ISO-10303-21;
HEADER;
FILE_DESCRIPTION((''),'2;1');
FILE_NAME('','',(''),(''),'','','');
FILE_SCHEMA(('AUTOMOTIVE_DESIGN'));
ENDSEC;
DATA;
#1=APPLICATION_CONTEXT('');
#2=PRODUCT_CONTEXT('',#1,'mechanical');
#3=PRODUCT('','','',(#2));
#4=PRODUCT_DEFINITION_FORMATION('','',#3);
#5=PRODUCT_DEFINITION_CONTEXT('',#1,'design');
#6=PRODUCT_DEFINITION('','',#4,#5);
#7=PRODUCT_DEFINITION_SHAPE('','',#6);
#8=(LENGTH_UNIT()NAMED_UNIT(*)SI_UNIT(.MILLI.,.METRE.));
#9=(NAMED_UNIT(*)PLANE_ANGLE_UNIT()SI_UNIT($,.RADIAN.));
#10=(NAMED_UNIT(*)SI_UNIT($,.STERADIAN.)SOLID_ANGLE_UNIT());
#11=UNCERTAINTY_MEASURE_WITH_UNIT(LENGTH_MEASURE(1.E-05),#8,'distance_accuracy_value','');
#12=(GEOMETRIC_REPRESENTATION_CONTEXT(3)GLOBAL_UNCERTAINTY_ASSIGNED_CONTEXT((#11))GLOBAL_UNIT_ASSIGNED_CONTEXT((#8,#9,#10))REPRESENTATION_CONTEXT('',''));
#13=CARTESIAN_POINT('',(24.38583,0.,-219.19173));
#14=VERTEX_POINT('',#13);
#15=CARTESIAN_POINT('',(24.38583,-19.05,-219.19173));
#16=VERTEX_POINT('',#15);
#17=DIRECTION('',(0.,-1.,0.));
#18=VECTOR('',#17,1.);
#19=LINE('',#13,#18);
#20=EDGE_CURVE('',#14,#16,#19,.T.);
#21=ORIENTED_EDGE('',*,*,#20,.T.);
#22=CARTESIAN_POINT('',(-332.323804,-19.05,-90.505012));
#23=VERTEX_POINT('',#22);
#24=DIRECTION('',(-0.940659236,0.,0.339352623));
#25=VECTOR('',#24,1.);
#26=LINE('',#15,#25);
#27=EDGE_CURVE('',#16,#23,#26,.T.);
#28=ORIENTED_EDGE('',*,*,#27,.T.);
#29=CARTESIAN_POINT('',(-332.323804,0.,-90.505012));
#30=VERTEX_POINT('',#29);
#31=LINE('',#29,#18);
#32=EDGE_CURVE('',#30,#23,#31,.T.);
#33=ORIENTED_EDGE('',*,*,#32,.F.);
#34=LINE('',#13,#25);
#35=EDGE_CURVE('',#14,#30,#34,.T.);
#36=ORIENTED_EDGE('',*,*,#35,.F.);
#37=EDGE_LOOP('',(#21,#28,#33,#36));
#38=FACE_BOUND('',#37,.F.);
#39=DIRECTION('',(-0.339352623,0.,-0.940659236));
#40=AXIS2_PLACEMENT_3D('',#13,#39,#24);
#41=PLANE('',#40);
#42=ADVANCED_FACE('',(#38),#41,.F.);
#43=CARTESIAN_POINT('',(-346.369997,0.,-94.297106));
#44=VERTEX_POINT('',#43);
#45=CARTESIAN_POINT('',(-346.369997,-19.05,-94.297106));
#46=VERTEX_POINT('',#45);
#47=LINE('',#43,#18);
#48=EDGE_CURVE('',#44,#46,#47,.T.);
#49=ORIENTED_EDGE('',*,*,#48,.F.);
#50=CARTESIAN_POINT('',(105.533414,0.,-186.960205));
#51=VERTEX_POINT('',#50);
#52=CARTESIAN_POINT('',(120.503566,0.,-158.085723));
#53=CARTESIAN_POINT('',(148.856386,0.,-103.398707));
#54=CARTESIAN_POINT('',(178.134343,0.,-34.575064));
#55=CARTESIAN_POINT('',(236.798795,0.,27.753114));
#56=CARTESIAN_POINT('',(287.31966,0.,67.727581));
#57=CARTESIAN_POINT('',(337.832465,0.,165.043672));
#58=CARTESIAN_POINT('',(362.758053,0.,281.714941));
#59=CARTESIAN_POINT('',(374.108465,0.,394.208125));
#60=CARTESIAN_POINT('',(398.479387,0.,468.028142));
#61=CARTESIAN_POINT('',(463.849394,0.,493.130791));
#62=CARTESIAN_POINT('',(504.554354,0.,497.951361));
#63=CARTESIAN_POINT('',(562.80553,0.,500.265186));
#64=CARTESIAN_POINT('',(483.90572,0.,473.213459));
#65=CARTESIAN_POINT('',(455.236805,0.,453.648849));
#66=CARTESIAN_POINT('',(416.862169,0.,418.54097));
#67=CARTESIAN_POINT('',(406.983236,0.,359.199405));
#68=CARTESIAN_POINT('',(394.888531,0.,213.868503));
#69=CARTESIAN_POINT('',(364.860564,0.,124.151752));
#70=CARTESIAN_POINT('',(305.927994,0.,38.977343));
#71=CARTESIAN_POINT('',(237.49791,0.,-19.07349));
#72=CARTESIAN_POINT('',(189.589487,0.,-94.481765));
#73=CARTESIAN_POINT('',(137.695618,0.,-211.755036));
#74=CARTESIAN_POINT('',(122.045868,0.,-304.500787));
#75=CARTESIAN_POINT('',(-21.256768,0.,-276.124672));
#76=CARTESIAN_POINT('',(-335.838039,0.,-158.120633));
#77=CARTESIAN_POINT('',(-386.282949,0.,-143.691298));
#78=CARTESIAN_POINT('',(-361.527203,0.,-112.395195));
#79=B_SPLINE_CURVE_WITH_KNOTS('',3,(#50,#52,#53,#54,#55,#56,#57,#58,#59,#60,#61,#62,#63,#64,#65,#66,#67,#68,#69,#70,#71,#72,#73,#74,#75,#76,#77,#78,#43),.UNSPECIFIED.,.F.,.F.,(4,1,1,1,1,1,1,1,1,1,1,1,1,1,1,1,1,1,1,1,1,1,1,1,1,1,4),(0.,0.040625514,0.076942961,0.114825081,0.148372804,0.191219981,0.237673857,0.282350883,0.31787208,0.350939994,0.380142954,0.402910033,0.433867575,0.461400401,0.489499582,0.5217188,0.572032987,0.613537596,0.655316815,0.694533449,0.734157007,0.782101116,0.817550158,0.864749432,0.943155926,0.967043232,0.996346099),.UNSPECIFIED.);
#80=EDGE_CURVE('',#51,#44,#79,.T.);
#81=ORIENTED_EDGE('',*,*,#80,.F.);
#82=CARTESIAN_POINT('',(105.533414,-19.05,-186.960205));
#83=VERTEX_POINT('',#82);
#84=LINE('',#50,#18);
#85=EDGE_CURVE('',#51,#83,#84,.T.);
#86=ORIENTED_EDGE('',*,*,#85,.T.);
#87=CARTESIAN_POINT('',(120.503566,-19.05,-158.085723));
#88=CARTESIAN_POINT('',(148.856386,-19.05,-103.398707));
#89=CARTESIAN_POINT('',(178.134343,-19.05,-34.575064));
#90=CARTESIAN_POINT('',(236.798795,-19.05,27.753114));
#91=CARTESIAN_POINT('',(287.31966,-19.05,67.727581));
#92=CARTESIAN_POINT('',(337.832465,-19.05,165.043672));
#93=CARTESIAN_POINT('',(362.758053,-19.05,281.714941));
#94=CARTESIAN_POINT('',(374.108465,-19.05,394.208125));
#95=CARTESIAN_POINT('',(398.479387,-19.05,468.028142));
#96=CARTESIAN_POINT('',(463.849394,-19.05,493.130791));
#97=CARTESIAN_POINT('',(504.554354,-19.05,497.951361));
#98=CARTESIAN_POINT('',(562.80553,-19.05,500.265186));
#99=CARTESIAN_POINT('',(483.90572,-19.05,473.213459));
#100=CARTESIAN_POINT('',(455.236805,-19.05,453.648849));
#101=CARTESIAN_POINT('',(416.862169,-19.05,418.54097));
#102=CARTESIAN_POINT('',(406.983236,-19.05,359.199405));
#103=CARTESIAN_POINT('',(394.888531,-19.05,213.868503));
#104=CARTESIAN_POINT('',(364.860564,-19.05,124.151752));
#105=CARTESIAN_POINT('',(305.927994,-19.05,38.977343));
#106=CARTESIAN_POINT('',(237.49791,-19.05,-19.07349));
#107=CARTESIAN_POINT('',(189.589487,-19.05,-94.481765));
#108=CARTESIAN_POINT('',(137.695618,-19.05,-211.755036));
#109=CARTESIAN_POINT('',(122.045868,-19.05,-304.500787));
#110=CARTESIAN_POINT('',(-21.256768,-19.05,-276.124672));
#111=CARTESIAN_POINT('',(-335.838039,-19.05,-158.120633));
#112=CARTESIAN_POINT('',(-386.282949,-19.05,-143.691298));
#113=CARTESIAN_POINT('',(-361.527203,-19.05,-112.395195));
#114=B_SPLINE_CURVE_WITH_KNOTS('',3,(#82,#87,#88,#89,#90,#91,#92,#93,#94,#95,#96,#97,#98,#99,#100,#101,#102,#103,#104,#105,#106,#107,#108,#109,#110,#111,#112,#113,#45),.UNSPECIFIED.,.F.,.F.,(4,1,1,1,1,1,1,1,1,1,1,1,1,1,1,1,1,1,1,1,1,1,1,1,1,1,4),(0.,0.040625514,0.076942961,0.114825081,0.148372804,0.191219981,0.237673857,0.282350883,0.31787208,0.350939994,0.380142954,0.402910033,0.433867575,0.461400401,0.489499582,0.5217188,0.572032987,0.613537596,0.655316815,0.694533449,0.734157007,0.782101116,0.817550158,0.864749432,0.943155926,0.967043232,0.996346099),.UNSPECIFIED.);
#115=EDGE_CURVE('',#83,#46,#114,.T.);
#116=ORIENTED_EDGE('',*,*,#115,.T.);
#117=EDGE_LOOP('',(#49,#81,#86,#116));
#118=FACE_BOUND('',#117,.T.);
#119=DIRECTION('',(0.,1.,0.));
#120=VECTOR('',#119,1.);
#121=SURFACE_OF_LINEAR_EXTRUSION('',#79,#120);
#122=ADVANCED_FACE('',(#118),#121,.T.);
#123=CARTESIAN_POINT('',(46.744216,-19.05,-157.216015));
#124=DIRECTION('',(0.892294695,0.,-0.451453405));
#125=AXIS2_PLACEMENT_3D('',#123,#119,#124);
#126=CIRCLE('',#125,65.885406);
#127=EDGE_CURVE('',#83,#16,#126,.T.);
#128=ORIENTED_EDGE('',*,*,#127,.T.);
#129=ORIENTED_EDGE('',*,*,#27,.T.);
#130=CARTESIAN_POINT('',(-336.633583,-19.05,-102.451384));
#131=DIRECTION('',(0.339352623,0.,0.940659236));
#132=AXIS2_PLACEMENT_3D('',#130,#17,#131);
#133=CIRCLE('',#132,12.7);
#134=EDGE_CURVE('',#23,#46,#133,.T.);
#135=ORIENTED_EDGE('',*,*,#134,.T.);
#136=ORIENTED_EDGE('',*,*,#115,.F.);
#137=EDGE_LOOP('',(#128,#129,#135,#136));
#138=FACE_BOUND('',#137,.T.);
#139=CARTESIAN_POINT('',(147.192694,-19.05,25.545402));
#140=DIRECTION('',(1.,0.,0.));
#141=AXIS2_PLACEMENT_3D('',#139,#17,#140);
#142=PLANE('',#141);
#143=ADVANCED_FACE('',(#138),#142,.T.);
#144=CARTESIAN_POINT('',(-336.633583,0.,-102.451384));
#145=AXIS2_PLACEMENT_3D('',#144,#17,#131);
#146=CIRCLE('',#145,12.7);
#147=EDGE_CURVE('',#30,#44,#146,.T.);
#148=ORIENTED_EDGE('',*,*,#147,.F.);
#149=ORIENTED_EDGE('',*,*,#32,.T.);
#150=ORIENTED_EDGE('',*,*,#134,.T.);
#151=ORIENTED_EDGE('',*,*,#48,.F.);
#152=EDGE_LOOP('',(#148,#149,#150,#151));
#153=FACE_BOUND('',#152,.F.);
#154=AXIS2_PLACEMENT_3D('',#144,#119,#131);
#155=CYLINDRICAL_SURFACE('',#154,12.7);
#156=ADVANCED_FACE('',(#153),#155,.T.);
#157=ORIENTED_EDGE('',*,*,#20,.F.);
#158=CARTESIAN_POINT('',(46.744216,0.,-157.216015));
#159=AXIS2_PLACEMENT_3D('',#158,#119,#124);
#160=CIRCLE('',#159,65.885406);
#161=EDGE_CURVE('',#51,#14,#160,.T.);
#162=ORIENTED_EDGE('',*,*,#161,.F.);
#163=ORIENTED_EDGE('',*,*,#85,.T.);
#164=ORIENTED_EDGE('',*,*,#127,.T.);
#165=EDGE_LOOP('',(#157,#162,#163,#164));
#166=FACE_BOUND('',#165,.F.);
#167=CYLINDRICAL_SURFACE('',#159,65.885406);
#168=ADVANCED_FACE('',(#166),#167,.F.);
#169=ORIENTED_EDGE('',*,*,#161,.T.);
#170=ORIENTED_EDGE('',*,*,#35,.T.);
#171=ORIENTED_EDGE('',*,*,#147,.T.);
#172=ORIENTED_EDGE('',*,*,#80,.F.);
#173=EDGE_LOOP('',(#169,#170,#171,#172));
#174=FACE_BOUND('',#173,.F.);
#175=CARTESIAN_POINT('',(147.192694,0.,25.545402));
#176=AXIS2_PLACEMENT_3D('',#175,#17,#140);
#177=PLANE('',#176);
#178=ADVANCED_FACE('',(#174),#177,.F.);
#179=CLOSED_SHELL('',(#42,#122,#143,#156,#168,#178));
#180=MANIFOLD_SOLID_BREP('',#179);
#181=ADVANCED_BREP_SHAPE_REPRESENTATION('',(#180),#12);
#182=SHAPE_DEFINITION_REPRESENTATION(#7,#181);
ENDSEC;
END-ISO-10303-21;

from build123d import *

# Parameters (mm, degrees)
F1_DEPTH = 19.05


with BuildPart() as f1:
    # F0 (on Front) → F1 (new body)
    with BuildSketch(Plane.XZ):
        with BuildLine():
            Line((24.3858303875, -219.1917300224), (-332.3238043113, -90.505011635))
            ThreePointArc((-332.3238043113, -90.505011635), (-339.9437320967, -90.1903517323), (-346.369996661, -94.2971064192))
            add(Edge.make_bspline(
                [(105.533413589, -186.9602054358), (120.5035664294, -158.0857231962), (148.8563864032, -103.3987066039), (178.1343429068, -34.575063737), (236.7987951864, 27.7531144642), (287.3196600748, 67.7275808122), (337.8324652599, 165.0436721704), (362.758052717, 281.7149414874), (374.1084650199, 394.2081253687), (398.4793868421, 468.0281420678), (463.8493937241, 493.1307913517), (504.5543537679, 497.9513609525), (562.8055303999, 500.265186055), (483.9057197523, 473.2134591193), (455.2368049423, 453.648848687), (416.862169302, 418.5409704738), (406.9832359773, 359.1994049961), (394.8885308217, 213.8685027808), (364.8605644892, 124.1517522186), (305.9279943018, 38.9773429034), (237.4979098547, -19.0734903186), (189.5894867008, -94.4817652515), (137.6956175871, -211.7550362745), (122.0458682303, -304.5007866654), (-21.2567677987, -276.1246715598), (-335.8380389916, -158.1206326479), (-386.2829493141, -143.6912980405), (-361.5272028809, -112.3951948535), (-346.369996661, -94.2971064192)],
                knots=[0, 0, 0, 0, 0.0406255141, 0.0769429612, 0.1148250812, 0.1483728035, 0.1912199812, 0.2376738573, 0.2823508835, 0.3178720805, 0.3509399936, 0.3801429542, 0.4029100325, 0.4338675745, 0.4614004007, 0.4894995815, 0.5217188, 0.5720329875, 0.6135375964, 0.6553168145, 0.6945334489, 0.7341570073, 0.7821011157, 0.8175501575, 0.8647494322, 0.9431559258, 0.9670432321, 0.9963460987, 0.9963460987, 0.9963460987, 0.9963460987], degree=3))
            ThreePointArc((105.533413589, -186.9602054358), (71.0653756128, -218.4480966188), (24.3858303875, -219.1917300224))
        make_face()
    extrude(amount=F1_DEPTH)


solid = f1.part
